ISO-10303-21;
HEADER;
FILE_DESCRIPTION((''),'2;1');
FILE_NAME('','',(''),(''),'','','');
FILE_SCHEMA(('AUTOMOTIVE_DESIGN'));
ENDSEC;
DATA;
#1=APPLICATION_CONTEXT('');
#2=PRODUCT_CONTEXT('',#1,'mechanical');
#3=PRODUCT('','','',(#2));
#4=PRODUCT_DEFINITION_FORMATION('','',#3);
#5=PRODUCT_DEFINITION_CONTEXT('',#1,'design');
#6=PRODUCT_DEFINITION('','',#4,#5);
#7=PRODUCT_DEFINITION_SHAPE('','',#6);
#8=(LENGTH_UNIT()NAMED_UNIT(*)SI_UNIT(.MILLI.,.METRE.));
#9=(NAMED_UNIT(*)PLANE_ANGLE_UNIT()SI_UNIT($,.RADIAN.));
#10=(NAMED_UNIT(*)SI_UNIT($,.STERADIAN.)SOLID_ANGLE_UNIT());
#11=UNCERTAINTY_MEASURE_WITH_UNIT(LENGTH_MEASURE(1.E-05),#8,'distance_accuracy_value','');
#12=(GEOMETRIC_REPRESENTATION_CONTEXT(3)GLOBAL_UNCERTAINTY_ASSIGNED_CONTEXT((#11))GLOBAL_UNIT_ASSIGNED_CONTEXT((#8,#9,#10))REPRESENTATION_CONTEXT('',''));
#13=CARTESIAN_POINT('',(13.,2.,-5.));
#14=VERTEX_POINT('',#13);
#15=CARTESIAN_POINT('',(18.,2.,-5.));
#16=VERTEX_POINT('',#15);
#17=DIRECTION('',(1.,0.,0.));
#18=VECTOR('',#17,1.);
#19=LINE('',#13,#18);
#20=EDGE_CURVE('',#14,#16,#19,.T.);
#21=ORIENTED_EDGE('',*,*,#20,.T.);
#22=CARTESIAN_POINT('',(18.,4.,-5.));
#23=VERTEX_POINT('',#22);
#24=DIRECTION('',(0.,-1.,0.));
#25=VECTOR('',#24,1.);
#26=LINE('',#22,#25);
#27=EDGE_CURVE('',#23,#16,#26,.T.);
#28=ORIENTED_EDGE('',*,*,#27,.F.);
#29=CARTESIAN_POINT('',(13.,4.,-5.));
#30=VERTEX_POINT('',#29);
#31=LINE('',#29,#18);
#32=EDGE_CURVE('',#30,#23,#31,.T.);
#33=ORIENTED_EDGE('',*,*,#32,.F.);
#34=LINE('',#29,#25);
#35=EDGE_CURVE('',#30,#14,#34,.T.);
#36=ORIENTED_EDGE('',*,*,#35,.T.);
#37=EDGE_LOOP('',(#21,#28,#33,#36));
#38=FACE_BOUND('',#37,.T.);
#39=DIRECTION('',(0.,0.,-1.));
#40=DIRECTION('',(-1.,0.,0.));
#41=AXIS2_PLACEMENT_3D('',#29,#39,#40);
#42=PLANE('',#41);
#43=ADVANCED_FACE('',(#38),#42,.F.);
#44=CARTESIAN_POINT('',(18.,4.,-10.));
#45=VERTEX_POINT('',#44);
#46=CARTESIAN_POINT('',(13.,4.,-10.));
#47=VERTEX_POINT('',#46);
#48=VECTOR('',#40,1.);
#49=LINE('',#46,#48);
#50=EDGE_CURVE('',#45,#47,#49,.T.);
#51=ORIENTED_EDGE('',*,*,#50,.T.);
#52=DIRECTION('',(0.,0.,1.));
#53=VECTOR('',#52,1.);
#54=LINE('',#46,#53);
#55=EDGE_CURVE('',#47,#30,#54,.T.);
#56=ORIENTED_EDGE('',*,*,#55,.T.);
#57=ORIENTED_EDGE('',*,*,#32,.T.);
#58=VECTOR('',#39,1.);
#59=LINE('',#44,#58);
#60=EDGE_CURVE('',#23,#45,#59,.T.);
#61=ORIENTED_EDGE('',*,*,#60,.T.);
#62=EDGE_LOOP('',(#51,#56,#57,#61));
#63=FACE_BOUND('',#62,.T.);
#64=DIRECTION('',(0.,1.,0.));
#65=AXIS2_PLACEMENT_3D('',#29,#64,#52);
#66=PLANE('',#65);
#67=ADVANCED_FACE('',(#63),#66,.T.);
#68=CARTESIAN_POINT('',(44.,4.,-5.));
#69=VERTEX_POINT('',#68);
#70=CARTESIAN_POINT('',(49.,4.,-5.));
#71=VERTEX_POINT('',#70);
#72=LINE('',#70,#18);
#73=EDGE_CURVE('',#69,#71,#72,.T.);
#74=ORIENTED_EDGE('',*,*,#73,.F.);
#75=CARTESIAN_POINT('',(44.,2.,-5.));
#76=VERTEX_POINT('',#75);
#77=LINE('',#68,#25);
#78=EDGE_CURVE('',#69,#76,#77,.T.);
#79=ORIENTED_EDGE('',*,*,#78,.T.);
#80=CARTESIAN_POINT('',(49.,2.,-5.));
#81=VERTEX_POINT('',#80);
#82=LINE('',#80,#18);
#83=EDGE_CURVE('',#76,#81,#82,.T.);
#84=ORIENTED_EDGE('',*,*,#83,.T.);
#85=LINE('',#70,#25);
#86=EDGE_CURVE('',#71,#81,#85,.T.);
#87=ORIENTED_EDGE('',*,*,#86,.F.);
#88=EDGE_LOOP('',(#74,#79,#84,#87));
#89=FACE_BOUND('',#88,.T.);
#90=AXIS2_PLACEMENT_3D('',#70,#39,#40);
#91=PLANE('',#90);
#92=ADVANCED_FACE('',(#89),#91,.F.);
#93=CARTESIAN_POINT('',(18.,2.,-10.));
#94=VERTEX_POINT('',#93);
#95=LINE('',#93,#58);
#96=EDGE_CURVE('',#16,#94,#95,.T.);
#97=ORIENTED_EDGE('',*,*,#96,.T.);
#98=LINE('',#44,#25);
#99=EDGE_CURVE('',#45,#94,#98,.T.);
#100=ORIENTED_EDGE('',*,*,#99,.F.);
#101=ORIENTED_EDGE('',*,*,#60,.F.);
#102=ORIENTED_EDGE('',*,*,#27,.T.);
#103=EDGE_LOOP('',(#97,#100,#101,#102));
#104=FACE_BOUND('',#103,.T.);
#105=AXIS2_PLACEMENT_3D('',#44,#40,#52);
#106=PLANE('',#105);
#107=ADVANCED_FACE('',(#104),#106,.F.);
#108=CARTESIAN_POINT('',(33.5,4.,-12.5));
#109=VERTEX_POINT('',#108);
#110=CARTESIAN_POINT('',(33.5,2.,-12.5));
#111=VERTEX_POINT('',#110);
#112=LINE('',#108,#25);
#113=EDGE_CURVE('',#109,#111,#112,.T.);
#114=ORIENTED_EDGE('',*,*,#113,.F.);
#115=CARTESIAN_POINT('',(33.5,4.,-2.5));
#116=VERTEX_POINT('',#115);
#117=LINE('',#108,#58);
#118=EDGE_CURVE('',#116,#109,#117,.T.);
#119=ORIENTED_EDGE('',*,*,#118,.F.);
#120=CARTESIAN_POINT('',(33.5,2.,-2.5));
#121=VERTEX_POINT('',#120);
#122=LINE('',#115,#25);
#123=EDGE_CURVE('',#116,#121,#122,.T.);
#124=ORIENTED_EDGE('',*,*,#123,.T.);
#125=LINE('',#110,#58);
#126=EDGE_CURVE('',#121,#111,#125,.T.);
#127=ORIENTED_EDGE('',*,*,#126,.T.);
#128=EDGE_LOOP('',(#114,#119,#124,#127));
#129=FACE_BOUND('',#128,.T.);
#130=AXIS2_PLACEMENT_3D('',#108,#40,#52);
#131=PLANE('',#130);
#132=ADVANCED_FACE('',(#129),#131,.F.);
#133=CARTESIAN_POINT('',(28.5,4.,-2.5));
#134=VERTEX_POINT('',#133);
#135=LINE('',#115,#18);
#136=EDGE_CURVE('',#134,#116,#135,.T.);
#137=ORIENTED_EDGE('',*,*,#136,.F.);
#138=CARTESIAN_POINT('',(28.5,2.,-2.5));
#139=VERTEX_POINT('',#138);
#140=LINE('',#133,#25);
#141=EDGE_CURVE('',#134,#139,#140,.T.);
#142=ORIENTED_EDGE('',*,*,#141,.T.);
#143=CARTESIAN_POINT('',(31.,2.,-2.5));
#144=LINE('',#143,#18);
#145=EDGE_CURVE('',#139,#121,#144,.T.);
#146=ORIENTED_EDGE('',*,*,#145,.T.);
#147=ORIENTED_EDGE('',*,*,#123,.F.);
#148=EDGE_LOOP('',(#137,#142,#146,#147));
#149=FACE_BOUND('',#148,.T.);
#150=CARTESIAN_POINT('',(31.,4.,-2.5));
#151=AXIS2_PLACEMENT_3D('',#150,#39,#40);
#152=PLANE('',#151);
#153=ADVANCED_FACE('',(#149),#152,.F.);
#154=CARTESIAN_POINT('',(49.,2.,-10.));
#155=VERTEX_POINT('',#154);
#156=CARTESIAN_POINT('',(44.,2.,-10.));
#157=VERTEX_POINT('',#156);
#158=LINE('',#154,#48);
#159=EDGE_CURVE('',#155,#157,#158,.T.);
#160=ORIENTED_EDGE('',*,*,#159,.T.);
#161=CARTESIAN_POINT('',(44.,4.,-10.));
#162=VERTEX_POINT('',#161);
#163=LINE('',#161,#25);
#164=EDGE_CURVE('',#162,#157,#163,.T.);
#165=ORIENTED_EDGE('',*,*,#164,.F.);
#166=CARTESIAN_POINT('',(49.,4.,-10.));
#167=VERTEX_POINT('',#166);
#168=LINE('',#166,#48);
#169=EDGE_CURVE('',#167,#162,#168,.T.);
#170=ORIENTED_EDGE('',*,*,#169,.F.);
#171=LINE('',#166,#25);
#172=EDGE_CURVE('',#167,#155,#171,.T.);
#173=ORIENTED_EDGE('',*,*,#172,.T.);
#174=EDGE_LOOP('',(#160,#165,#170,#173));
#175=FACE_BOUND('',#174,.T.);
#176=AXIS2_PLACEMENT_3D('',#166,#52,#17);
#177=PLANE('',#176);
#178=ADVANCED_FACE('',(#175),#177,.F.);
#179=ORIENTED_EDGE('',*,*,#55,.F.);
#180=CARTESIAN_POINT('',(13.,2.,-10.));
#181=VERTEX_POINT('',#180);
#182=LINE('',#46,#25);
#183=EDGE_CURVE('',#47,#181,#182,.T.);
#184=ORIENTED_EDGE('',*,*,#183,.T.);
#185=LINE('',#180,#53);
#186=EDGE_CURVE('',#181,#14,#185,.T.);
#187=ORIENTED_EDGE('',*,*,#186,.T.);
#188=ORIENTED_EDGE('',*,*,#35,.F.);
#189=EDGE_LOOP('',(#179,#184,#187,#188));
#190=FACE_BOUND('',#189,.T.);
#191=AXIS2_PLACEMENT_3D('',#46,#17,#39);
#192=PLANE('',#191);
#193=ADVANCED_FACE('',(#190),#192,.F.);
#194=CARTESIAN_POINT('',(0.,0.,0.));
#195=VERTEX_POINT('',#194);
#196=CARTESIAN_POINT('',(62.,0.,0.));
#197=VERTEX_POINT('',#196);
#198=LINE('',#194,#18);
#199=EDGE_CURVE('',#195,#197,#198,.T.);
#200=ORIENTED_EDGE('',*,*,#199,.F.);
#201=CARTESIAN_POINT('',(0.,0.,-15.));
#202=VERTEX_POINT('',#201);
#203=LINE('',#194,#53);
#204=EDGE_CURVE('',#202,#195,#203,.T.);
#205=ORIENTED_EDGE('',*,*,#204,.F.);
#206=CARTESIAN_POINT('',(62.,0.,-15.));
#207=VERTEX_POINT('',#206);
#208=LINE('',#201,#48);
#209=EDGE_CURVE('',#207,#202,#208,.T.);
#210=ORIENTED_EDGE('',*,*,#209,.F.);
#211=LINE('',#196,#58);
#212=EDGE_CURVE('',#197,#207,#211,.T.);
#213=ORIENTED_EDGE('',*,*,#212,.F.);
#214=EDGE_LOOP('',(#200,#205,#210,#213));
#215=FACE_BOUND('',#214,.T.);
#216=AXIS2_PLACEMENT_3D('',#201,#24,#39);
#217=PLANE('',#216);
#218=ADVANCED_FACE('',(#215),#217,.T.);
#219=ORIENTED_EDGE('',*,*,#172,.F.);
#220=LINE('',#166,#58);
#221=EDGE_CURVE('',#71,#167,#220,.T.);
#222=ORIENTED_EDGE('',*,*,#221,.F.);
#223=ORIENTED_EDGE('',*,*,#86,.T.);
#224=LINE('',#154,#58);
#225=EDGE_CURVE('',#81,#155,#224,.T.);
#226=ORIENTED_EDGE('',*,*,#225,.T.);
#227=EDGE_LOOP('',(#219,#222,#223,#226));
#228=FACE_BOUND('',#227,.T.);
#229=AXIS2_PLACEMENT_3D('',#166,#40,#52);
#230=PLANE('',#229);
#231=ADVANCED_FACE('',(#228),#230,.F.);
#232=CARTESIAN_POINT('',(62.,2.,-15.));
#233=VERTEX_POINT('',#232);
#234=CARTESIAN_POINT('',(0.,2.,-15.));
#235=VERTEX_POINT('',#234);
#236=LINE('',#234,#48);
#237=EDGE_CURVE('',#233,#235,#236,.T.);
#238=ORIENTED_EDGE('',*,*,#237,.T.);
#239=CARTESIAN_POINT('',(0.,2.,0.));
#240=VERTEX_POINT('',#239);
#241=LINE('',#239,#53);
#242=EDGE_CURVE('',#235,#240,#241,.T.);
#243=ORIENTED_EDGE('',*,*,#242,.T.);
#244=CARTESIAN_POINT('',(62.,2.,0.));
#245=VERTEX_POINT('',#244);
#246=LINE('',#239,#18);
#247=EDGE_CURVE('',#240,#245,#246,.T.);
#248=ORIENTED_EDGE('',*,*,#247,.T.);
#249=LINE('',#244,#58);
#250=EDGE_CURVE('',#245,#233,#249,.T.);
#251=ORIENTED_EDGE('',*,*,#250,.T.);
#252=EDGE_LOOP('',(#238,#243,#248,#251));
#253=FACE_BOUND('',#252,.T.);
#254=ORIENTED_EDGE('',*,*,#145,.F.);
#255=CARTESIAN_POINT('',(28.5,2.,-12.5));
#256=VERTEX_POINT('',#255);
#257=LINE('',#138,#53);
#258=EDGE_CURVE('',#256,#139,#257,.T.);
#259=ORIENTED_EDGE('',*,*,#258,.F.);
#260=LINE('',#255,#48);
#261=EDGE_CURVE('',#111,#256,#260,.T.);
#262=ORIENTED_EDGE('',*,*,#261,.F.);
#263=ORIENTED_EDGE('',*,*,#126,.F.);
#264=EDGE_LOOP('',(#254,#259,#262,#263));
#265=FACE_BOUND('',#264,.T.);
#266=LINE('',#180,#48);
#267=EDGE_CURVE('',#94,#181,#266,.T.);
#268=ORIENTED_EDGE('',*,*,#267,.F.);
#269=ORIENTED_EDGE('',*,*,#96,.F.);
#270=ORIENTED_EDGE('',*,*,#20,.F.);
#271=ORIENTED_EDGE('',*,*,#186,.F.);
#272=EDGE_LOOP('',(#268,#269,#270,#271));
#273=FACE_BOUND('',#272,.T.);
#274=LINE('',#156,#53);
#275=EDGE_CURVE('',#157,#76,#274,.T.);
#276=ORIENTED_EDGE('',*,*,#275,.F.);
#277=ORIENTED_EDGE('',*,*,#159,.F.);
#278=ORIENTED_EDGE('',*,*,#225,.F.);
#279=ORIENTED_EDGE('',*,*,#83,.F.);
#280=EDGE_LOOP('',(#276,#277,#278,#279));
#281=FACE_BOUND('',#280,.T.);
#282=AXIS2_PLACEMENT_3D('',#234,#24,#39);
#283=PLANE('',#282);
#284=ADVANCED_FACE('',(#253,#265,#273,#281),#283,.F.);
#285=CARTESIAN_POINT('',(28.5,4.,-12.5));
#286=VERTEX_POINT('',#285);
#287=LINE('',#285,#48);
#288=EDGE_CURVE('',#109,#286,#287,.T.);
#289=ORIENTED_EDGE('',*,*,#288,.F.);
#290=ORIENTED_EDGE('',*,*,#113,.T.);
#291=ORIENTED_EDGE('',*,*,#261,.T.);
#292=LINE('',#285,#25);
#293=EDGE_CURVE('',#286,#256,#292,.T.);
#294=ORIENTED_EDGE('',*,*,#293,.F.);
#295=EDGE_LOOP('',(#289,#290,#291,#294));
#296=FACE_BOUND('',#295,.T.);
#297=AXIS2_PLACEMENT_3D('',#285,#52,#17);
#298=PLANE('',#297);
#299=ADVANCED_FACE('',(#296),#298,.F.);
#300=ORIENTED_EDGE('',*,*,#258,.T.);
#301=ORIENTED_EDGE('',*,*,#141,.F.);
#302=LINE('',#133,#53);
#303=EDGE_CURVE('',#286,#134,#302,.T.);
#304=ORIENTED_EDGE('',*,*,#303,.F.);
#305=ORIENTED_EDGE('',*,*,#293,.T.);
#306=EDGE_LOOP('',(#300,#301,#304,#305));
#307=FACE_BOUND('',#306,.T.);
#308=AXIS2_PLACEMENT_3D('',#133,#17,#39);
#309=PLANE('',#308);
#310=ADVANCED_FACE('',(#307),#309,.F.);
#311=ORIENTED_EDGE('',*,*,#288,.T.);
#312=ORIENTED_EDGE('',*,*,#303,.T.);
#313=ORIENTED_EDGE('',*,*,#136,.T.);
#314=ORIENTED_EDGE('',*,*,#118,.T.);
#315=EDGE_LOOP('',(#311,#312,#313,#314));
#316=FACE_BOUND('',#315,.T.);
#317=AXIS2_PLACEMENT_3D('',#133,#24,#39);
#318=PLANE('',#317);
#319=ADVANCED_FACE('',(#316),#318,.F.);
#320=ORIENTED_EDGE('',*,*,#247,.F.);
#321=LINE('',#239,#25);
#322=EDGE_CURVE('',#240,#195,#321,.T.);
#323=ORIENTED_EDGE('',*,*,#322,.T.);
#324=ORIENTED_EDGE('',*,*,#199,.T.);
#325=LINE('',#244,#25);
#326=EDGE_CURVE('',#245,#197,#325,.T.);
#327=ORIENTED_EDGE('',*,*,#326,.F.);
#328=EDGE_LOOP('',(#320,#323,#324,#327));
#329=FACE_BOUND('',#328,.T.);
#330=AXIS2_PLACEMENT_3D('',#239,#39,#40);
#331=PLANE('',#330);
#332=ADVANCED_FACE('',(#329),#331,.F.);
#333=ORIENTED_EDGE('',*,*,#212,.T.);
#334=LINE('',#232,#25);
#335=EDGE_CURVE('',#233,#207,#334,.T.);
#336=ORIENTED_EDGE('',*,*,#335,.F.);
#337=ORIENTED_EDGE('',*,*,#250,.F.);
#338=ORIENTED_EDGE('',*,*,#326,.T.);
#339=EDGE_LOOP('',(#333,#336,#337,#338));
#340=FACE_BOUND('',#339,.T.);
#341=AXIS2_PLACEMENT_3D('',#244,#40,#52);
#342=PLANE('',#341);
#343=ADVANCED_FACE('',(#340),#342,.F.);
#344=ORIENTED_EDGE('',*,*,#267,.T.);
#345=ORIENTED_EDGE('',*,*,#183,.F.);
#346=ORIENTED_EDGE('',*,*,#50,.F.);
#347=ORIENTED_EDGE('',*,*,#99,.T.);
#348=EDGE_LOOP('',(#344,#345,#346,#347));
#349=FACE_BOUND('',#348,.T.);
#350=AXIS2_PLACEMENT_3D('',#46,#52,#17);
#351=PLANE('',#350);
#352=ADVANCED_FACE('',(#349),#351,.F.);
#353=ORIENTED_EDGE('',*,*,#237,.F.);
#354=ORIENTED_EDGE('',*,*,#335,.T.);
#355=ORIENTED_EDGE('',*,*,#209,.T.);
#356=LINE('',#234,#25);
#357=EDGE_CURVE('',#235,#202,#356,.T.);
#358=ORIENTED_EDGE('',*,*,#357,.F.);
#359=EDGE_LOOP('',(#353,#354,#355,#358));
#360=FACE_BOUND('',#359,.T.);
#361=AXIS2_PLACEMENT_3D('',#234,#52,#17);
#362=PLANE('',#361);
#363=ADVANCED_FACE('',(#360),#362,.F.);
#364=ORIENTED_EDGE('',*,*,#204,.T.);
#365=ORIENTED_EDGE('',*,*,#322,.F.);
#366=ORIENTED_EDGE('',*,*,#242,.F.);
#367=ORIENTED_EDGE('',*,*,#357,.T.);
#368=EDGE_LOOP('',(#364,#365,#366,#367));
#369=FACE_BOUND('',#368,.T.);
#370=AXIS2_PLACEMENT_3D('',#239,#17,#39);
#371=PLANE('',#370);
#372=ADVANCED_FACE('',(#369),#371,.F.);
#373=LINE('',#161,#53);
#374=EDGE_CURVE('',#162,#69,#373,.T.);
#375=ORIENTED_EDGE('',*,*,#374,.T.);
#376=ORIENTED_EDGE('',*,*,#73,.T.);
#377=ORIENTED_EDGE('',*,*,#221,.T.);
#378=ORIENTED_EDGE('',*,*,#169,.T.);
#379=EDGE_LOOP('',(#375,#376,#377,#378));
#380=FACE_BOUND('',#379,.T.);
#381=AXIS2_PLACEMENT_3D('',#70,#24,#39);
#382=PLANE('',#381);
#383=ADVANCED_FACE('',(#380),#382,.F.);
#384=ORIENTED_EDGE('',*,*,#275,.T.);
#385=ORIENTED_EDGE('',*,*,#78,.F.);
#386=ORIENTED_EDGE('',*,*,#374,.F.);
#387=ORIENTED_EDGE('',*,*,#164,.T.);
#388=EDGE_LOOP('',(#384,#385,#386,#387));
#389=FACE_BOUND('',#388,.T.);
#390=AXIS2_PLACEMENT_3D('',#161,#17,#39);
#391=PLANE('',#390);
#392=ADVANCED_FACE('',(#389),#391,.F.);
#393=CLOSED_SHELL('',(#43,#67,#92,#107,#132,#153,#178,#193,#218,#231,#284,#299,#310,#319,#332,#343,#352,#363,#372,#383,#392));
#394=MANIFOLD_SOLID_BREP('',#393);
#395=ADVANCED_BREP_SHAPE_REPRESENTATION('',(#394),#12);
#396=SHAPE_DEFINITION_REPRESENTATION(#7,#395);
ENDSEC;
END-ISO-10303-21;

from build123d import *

# Parameters (mm, degrees)
SKETCH1_W           = 62
SKETCH1_H           = 15
BOSS_EXTRUDE1_DEPTH = 2
SKETCH2_W           = 5
SKETCH2_H           = 5
BOSS_EXTRUDE2_DEPTH = 2


with BuildPart() as part:
    # Sketch1 → Boss-Extrude1 (new body)
    with BuildSketch(Plane(origin=(0, 0, 0), x_dir=(1, 0, 0), z_dir=(0, 1, 0))):
        with Locations((31, 7.5)):
            Rectangle(SKETCH1_W, SKETCH1_H)
    extrude(amount=BOSS_EXTRUDE1_DEPTH)

    # Sketch2 → Boss-Extrude2 (add)
    with BuildSketch(Plane(origin=(0, 2, 0), x_dir=(1, 0, 0), z_dir=(0, 1, 0))):
        with Locations((15.5, 7.5)):
            Rectangle(SKETCH2_W, SKETCH2_H)
        with Locations((46.5, 7.5)):
            Rectangle(SKETCH2_W, SKETCH2_H)
        Polygon((31, 2.5), (28.5, 2.5), (28.5, 12.5), (33.5, 12.5), (33.5, 2.5), align=None)
    extrude(amount=BOSS_EXTRUDE2_DEPTH)


solid = part.part
